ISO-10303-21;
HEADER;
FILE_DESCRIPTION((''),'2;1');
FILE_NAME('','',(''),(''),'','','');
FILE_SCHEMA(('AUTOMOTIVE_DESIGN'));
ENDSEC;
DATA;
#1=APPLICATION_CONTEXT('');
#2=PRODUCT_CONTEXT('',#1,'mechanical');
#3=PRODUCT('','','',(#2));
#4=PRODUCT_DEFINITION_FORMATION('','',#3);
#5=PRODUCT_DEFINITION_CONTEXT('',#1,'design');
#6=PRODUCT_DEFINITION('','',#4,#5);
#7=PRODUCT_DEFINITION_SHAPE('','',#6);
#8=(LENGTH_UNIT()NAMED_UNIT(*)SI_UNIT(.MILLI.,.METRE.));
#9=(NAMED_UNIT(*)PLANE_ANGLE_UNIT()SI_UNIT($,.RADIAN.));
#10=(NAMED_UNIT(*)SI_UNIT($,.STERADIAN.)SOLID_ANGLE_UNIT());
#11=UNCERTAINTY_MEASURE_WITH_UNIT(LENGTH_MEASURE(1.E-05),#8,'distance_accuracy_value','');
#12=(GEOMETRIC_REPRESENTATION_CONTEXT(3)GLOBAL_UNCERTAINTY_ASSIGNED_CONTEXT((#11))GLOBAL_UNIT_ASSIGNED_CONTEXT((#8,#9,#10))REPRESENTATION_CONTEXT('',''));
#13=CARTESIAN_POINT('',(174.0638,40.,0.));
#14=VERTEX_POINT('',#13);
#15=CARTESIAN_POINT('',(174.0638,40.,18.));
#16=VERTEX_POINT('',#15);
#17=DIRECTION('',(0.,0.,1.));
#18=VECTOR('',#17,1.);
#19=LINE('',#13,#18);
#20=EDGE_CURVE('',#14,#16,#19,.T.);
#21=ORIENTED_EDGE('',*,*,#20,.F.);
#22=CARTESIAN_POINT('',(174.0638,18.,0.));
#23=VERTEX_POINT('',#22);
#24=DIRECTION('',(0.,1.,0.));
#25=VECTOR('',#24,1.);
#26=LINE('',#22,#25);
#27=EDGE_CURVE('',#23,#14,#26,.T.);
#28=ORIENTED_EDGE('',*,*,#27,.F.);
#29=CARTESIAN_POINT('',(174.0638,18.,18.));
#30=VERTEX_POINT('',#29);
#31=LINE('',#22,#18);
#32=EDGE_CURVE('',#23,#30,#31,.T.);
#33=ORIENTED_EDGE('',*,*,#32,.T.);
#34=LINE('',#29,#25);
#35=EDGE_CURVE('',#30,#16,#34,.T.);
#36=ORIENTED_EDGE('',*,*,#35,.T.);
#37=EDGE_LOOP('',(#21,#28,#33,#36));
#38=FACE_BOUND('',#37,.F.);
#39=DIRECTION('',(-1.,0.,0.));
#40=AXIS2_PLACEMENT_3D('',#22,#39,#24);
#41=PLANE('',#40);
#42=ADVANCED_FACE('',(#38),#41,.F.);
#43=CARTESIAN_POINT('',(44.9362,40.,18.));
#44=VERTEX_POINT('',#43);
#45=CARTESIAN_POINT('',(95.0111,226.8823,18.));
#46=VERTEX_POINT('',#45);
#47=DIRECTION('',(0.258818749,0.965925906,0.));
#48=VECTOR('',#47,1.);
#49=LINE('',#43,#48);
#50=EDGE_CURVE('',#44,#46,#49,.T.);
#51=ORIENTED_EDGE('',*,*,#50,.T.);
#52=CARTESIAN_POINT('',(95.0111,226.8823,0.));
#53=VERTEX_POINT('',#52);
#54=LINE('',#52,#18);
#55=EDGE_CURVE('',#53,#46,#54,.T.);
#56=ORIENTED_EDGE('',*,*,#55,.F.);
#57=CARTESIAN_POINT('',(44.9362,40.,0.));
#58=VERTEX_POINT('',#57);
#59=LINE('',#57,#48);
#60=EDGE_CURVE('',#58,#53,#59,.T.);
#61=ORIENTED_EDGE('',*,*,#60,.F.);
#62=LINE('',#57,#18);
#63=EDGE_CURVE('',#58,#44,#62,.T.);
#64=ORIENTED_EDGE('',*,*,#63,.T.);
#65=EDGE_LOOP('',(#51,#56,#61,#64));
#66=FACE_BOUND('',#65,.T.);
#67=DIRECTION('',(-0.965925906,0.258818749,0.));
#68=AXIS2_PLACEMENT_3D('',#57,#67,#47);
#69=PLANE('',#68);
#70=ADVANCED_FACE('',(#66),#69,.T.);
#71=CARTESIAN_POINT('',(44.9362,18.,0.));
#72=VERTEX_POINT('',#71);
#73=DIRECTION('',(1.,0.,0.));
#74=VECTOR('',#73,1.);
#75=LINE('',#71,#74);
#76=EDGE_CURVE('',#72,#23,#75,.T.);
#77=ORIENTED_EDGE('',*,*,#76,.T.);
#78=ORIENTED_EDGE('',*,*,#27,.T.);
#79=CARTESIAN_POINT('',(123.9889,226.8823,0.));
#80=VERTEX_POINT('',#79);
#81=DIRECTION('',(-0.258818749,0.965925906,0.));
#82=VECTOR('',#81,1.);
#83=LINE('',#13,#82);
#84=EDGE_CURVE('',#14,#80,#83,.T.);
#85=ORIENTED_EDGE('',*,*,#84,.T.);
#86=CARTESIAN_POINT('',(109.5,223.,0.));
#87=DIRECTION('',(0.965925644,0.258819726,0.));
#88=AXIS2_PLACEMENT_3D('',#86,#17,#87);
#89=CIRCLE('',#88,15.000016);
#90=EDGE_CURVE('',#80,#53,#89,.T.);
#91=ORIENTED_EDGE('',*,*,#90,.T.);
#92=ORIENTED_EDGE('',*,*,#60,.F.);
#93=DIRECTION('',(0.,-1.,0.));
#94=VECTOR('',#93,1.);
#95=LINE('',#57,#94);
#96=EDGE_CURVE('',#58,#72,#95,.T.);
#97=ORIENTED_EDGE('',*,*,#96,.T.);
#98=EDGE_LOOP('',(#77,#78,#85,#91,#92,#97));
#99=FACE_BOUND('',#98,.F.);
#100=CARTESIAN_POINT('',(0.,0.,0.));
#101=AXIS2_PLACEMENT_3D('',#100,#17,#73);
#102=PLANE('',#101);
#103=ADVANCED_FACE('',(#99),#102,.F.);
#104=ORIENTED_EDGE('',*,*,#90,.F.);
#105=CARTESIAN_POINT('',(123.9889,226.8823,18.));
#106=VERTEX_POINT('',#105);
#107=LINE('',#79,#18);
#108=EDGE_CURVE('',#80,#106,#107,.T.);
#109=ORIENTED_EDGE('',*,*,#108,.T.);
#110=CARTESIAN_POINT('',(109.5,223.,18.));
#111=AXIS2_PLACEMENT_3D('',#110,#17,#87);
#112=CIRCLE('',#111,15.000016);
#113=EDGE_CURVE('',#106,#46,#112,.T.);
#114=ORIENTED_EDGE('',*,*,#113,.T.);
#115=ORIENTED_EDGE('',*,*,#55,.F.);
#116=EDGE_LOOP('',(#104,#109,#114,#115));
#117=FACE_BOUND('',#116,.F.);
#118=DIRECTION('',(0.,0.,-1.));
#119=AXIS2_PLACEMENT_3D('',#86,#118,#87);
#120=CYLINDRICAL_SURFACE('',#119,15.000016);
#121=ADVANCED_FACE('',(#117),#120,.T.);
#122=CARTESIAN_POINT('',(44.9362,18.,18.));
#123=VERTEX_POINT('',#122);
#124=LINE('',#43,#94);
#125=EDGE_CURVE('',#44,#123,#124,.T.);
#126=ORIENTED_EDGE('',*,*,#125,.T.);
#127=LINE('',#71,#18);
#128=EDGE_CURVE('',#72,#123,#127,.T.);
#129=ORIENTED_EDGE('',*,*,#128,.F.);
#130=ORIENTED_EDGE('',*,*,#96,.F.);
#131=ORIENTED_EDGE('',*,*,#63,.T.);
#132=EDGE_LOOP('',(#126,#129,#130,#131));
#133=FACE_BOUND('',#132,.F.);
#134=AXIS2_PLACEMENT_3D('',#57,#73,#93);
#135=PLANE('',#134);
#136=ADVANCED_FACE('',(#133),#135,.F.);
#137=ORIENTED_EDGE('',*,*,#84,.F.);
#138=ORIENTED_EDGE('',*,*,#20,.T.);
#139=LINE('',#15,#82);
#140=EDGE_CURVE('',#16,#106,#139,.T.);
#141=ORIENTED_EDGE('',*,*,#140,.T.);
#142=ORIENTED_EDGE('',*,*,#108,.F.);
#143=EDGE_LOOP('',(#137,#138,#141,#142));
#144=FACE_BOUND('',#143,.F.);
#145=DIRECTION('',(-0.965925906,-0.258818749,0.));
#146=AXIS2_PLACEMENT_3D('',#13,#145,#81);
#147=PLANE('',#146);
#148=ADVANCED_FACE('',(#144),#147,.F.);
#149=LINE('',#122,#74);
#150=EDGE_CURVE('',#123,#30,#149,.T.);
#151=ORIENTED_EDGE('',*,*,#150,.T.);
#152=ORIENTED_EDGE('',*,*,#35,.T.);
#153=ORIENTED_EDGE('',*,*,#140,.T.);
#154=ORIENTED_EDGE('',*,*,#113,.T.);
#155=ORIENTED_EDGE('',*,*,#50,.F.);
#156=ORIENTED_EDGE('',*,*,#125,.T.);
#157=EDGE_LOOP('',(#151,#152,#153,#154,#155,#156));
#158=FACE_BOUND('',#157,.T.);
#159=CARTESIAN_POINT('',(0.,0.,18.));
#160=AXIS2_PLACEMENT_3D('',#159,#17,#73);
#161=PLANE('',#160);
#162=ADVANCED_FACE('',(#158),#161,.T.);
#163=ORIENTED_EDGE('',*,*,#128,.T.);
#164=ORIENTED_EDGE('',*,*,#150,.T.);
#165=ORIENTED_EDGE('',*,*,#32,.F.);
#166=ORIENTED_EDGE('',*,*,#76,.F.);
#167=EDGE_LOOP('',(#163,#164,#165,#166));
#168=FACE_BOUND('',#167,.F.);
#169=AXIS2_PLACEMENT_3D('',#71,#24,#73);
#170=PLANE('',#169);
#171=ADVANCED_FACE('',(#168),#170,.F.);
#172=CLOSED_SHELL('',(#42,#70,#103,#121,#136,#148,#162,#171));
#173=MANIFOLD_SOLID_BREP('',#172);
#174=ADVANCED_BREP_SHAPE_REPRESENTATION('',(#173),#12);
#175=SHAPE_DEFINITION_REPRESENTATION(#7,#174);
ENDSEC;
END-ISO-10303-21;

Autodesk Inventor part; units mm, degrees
ref_plane "YZ Plane" through (0, 0, 0) normal (1, 0, 0) x (0, 1, 0)
ref_plane "XZ Plane" through (0, 0, 0) normal (0, 1, 0) x (-1, 0, 0)
ref_plane "XY Plane" through (0, 0, 0) normal (0, 0, 1) x (1, 0, 0)
sketch "Sketch1" plane through (0, 0, 0) normal (0, 0, 1) x (1, 0, 0)
  line L0 (0, 0) -> (219, 0) construction
  line L1 (219, 0) -> (219, 18) construction
  line L2 (219, 18) -> (0, 18) construction
  line L3 (0, 18) -> (0, 0) construction
  line L4 (44.9362, 18) -> (174.0638, 18)
  line L5 (174.0638, 18) -> (174.0638, 40)
  line L6 (174.0638, 40) -> (44.9362, 40) construction
  line L7 (44.9362, 40) -> (44.9362, 18)
  line L8 (91.5484, 238) -> (127.4516, 238) construction
  arc A0 (123.9889, 226.8823) -> (95.0111, 226.8823) centre (109.5, 223) ccw
  line L9 (109.5, 238) -> (109.5, 292.3651) construction
  line L10 (44.9362, 40) -> (95.0111, 226.8823)
  line L11 (174.0638, 40) -> (123.9889, 226.8823)
  point P0 (109.5, 40)
  point P1 (109.5, 0)
  dimension "d2" = 18
  dimension "d3" = 219
  dimension "d4" = 40
  dimension "d5" = 220
  dimension "d6" = 15
  dimension "d7" = 75
extrude "Extrusion1" add sketch "Sketch1" along normal blind 18
properties part number "CPO-1-support"
